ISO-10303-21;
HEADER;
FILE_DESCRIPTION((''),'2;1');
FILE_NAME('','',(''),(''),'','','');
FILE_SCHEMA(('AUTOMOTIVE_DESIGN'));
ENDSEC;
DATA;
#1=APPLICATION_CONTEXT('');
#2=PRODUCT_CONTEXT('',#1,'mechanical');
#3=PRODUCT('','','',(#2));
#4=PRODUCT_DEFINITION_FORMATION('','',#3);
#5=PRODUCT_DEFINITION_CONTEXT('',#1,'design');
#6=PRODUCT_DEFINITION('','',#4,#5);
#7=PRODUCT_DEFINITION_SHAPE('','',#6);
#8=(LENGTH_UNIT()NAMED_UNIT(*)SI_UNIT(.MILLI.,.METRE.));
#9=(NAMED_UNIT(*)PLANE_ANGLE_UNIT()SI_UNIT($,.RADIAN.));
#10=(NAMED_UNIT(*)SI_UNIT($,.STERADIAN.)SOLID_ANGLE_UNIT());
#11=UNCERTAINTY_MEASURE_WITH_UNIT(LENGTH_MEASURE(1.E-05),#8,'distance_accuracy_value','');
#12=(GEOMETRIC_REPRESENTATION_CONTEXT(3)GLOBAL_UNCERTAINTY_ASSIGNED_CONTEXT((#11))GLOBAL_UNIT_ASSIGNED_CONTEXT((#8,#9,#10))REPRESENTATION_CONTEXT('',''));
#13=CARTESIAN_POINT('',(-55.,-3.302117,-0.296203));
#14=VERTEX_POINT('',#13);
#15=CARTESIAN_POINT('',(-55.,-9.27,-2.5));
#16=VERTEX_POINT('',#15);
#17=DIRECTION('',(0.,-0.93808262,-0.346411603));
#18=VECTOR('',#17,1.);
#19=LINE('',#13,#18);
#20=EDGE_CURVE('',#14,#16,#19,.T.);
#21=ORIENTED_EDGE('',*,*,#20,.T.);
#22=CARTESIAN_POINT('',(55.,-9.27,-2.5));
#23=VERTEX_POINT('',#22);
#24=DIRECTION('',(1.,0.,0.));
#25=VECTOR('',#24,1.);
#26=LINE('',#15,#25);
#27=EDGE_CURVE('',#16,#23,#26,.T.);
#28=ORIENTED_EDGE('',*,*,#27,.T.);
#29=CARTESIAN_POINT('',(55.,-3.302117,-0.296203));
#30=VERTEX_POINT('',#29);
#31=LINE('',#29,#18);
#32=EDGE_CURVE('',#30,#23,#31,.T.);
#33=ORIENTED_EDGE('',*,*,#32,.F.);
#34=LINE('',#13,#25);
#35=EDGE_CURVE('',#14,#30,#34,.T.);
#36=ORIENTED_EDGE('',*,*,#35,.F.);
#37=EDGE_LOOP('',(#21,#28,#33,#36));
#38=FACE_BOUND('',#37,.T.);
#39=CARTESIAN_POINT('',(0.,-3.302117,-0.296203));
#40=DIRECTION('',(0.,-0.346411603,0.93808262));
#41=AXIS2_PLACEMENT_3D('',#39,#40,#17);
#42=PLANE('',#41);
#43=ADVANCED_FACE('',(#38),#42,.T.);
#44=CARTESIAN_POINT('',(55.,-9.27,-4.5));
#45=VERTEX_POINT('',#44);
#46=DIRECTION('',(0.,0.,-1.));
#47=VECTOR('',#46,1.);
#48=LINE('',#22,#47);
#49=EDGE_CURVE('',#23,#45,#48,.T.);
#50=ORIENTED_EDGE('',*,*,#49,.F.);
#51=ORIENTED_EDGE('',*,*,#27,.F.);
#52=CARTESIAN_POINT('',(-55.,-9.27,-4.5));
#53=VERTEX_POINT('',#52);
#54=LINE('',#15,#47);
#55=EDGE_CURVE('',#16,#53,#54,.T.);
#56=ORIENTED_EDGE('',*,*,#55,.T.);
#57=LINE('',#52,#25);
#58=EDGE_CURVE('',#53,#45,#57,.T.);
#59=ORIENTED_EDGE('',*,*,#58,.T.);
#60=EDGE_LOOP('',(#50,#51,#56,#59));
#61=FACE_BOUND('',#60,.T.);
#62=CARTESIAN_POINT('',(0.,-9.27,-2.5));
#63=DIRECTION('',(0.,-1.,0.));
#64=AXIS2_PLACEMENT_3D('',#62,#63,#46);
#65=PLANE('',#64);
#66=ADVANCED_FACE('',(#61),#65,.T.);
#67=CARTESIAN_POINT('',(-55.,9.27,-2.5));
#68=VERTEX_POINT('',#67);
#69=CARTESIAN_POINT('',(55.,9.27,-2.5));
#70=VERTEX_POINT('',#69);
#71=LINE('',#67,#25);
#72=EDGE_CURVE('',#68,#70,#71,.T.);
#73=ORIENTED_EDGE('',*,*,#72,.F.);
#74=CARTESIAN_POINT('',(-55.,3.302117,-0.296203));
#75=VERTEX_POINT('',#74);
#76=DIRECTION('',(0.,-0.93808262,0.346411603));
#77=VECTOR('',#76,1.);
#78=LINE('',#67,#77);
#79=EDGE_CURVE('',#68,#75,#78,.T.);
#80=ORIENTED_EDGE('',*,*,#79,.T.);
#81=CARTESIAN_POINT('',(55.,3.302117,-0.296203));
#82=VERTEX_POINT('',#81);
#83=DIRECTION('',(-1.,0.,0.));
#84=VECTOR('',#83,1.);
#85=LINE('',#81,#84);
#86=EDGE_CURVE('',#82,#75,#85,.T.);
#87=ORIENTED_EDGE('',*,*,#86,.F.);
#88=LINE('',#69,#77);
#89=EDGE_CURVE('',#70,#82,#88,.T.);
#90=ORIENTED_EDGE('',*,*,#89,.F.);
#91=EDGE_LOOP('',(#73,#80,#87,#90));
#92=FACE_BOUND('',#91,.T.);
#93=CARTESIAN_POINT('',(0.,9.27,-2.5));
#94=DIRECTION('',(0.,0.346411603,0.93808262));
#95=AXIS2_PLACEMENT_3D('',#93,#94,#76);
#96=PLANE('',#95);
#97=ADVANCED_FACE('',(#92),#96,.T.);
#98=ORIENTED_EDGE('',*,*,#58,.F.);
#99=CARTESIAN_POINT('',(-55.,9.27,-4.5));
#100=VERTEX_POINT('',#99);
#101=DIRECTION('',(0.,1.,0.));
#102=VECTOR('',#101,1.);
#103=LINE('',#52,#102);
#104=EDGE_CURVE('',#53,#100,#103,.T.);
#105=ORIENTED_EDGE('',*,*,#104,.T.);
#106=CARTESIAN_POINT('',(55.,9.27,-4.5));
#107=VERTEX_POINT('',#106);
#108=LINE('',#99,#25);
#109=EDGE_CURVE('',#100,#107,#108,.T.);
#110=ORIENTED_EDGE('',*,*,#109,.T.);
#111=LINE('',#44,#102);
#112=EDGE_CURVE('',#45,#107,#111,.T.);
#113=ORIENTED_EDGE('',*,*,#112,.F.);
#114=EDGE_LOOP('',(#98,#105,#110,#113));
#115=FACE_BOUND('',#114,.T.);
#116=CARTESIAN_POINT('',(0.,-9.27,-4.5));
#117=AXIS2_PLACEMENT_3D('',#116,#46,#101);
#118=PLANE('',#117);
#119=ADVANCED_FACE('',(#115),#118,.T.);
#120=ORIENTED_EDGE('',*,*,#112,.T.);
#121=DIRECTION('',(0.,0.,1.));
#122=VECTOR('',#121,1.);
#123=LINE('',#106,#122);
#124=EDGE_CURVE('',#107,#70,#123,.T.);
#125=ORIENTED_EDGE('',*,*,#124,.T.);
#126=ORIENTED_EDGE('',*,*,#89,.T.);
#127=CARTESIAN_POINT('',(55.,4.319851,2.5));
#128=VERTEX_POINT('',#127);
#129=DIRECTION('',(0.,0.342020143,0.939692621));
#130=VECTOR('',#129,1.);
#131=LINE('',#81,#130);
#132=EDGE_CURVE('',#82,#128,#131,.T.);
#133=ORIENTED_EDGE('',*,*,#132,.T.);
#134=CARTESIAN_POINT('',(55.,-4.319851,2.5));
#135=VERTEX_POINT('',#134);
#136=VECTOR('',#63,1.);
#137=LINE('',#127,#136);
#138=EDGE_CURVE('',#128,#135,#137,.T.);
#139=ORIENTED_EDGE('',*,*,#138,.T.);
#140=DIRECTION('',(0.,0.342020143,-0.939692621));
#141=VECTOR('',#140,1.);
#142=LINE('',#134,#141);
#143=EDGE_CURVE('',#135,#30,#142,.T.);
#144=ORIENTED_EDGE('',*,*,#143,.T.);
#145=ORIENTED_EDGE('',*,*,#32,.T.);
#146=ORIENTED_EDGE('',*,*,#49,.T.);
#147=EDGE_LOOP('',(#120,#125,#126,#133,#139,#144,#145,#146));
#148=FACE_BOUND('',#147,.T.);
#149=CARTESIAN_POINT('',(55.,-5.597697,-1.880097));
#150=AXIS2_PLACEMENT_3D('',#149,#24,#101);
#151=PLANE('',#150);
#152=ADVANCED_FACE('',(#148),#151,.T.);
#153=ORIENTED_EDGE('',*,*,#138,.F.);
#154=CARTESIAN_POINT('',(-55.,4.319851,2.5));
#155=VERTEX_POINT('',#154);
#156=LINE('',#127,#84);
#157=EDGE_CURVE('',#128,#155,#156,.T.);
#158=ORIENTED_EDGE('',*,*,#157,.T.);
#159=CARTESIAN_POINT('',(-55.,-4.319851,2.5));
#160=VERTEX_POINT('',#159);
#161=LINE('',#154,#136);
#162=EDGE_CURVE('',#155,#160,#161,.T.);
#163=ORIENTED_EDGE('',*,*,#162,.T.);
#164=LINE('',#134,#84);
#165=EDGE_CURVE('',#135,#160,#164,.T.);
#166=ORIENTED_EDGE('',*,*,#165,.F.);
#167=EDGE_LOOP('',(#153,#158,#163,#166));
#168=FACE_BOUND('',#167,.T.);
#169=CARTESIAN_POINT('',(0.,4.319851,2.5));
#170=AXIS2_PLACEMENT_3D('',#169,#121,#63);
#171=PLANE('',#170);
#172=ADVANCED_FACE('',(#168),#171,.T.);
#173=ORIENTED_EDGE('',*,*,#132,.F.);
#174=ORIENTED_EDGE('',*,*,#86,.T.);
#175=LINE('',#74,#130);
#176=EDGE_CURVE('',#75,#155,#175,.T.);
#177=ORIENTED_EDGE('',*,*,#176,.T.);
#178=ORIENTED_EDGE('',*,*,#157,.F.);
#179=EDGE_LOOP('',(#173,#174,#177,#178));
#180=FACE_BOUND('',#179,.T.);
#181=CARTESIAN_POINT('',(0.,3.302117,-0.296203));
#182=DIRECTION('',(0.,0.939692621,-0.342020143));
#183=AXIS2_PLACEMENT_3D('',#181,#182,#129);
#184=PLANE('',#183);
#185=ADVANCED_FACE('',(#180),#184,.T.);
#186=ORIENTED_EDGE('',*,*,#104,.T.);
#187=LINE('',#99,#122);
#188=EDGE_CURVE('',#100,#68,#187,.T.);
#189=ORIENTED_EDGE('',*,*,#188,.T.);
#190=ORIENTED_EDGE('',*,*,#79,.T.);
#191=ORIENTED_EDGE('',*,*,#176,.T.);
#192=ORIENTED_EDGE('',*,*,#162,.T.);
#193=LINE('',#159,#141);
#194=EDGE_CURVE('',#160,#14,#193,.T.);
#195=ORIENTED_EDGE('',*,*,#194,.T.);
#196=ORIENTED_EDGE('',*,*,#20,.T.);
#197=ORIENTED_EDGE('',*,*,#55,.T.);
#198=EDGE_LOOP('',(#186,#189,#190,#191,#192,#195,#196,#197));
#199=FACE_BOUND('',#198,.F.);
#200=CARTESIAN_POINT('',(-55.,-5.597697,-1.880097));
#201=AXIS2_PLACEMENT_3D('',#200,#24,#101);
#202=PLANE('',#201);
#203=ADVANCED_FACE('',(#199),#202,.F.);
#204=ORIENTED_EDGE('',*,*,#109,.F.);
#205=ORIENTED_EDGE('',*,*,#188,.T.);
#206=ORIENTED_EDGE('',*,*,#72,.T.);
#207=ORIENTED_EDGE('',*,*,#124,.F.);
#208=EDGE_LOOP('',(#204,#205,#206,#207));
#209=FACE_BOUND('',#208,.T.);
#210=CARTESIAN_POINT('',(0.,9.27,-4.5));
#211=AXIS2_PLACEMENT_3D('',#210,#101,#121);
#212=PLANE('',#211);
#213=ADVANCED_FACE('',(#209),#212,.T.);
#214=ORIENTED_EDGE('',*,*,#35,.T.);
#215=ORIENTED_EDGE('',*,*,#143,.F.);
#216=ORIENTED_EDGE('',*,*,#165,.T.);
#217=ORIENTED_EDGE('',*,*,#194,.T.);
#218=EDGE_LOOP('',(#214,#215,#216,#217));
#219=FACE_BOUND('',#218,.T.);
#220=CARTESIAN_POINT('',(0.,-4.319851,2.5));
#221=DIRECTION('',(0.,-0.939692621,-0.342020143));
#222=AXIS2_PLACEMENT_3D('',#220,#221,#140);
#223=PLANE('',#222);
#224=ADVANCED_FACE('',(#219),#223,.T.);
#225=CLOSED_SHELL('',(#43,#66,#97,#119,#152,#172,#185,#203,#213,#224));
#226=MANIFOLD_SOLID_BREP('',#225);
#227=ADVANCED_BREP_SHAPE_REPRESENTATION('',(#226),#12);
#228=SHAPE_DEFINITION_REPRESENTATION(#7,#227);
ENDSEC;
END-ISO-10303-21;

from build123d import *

# Parameters (mm, degrees)
F2_DEPTH      = 55
F2_DEPTH_BACK = 55


with BuildPart() as f2:
    # F1 (on Right) → F2 (new body, two sides)
    with BuildSketch(Plane.YZ) as f2_sk:
        Polygon((-9.27, -2.5), (-2.5, -2.5), (-3.3021166542, -0.2962026049), align=None)
        Polygon((3.3021166542, -0.2962026049), (2.5, 0), (2.5, -2.5), align=None)
        Polygon((-2.5, 0), (-2.5, 2.5), (-4.3198511713, 2.5), (-3.3021166542, -0.2962026049), align=None)
        Polygon((2.5, -2.5), (-2.5, -2.5), (-9.27, -2.5), (-9.27, -4.5), (9.27, -4.5), (9.27, -2.5), align=None)
        Polygon((2.5, 2.5), (-2.5, 2.5), (-2.5, 0), (-2.5, -2.5), (2.5, -2.5), (2.5, 0), align=None)
        Polygon((4.3198511713, 2.5), (2.5, 2.5), (2.5, 0), (3.3021166542, -0.2962026049), align=None)
        Polygon((-2.5, -2.5), (-2.5, 0), (-3.3021166542, -0.2962026049), align=None)
        Polygon((3.3021166542, -0.2962026049), (2.5, -2.5), (9.27, -2.5), align=None)
    extrude(amount=F2_DEPTH)
    extrude(f2_sk.sketch, amount=-F2_DEPTH_BACK)


solid = f2.part
